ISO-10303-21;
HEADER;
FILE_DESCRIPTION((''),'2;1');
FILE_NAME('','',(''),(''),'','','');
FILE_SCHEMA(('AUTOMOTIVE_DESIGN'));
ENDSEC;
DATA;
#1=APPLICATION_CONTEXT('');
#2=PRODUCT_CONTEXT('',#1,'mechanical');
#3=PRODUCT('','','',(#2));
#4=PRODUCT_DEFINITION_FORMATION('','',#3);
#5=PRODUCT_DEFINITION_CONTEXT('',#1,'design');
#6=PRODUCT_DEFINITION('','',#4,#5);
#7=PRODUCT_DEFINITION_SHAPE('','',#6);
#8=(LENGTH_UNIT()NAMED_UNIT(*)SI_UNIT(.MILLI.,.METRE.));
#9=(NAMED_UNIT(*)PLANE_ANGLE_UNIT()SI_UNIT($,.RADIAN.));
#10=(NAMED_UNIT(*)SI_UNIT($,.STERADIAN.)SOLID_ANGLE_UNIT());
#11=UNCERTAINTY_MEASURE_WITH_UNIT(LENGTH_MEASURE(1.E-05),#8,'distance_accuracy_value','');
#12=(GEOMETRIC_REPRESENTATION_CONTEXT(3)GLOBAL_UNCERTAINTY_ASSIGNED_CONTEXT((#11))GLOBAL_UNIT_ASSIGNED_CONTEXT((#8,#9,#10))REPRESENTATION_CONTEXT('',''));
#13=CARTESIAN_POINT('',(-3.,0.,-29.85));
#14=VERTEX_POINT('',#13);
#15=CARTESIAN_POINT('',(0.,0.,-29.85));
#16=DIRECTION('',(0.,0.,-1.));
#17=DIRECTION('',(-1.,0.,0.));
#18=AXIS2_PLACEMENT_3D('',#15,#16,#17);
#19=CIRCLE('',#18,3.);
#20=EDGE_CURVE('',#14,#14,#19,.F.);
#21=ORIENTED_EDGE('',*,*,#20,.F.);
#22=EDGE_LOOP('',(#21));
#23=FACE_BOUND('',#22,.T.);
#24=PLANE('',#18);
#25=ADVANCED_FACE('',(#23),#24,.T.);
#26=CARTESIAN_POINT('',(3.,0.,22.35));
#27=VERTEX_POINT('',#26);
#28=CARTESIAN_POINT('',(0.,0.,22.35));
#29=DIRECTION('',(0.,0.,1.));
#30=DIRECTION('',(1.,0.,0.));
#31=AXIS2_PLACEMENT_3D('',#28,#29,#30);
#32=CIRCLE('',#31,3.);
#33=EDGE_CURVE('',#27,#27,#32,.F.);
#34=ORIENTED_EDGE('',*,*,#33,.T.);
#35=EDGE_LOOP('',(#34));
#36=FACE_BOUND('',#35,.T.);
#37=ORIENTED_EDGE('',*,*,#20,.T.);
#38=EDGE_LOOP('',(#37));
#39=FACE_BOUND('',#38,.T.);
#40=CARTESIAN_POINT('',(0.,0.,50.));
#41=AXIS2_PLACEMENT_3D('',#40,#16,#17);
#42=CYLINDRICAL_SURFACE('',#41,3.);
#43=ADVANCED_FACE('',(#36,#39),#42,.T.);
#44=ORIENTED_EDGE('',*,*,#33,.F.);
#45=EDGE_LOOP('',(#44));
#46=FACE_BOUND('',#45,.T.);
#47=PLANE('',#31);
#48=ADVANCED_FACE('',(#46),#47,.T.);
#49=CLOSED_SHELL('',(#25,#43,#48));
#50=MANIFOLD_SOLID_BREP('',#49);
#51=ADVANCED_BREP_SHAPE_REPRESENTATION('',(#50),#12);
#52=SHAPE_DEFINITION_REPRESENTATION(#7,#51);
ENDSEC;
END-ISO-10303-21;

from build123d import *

# Parameters (mm, degrees)
SKETCH1_R           = 3
BOSS_EXTRUDE1_DEPTH = 50
CUT_EXTRUDE1_START  = -27.65
SKETCH2_R           = 3
CUT_EXTRUDE1_DEPTH  = 27.65
CUT_EXTRUDE2_START  = -20.15
SKETCH3_R           = 3
CUT_EXTRUDE2_DEPTH  = 20.15


with BuildPart() as part:
    # Sketch1 → Boss-Extrude1 (new, symmetric)
    with BuildSketch(Plane.XY):
        Circle(SKETCH1_R)
    extrude(amount=BOSS_EXTRUDE1_DEPTH, both=True)

    # Sketch2 → Cut-Extrude1 (cut)
    with BuildSketch(Plane.XY.offset(50).offset(CUT_EXTRUDE1_START)):
        Circle(SKETCH2_R)
    extrude(amount=CUT_EXTRUDE1_DEPTH, mode=Mode.SUBTRACT)

    # Sketch3 → Cut-Extrude2 (cut)
    with BuildSketch(Plane(origin=(0, 0, -50), x_dir=(-1, 0, 0), z_dir=(0, 0, -1)).offset(CUT_EXTRUDE2_START)):
        Circle(SKETCH3_R)
    extrude(amount=CUT_EXTRUDE2_DEPTH, mode=Mode.SUBTRACT)


solid = part.part
